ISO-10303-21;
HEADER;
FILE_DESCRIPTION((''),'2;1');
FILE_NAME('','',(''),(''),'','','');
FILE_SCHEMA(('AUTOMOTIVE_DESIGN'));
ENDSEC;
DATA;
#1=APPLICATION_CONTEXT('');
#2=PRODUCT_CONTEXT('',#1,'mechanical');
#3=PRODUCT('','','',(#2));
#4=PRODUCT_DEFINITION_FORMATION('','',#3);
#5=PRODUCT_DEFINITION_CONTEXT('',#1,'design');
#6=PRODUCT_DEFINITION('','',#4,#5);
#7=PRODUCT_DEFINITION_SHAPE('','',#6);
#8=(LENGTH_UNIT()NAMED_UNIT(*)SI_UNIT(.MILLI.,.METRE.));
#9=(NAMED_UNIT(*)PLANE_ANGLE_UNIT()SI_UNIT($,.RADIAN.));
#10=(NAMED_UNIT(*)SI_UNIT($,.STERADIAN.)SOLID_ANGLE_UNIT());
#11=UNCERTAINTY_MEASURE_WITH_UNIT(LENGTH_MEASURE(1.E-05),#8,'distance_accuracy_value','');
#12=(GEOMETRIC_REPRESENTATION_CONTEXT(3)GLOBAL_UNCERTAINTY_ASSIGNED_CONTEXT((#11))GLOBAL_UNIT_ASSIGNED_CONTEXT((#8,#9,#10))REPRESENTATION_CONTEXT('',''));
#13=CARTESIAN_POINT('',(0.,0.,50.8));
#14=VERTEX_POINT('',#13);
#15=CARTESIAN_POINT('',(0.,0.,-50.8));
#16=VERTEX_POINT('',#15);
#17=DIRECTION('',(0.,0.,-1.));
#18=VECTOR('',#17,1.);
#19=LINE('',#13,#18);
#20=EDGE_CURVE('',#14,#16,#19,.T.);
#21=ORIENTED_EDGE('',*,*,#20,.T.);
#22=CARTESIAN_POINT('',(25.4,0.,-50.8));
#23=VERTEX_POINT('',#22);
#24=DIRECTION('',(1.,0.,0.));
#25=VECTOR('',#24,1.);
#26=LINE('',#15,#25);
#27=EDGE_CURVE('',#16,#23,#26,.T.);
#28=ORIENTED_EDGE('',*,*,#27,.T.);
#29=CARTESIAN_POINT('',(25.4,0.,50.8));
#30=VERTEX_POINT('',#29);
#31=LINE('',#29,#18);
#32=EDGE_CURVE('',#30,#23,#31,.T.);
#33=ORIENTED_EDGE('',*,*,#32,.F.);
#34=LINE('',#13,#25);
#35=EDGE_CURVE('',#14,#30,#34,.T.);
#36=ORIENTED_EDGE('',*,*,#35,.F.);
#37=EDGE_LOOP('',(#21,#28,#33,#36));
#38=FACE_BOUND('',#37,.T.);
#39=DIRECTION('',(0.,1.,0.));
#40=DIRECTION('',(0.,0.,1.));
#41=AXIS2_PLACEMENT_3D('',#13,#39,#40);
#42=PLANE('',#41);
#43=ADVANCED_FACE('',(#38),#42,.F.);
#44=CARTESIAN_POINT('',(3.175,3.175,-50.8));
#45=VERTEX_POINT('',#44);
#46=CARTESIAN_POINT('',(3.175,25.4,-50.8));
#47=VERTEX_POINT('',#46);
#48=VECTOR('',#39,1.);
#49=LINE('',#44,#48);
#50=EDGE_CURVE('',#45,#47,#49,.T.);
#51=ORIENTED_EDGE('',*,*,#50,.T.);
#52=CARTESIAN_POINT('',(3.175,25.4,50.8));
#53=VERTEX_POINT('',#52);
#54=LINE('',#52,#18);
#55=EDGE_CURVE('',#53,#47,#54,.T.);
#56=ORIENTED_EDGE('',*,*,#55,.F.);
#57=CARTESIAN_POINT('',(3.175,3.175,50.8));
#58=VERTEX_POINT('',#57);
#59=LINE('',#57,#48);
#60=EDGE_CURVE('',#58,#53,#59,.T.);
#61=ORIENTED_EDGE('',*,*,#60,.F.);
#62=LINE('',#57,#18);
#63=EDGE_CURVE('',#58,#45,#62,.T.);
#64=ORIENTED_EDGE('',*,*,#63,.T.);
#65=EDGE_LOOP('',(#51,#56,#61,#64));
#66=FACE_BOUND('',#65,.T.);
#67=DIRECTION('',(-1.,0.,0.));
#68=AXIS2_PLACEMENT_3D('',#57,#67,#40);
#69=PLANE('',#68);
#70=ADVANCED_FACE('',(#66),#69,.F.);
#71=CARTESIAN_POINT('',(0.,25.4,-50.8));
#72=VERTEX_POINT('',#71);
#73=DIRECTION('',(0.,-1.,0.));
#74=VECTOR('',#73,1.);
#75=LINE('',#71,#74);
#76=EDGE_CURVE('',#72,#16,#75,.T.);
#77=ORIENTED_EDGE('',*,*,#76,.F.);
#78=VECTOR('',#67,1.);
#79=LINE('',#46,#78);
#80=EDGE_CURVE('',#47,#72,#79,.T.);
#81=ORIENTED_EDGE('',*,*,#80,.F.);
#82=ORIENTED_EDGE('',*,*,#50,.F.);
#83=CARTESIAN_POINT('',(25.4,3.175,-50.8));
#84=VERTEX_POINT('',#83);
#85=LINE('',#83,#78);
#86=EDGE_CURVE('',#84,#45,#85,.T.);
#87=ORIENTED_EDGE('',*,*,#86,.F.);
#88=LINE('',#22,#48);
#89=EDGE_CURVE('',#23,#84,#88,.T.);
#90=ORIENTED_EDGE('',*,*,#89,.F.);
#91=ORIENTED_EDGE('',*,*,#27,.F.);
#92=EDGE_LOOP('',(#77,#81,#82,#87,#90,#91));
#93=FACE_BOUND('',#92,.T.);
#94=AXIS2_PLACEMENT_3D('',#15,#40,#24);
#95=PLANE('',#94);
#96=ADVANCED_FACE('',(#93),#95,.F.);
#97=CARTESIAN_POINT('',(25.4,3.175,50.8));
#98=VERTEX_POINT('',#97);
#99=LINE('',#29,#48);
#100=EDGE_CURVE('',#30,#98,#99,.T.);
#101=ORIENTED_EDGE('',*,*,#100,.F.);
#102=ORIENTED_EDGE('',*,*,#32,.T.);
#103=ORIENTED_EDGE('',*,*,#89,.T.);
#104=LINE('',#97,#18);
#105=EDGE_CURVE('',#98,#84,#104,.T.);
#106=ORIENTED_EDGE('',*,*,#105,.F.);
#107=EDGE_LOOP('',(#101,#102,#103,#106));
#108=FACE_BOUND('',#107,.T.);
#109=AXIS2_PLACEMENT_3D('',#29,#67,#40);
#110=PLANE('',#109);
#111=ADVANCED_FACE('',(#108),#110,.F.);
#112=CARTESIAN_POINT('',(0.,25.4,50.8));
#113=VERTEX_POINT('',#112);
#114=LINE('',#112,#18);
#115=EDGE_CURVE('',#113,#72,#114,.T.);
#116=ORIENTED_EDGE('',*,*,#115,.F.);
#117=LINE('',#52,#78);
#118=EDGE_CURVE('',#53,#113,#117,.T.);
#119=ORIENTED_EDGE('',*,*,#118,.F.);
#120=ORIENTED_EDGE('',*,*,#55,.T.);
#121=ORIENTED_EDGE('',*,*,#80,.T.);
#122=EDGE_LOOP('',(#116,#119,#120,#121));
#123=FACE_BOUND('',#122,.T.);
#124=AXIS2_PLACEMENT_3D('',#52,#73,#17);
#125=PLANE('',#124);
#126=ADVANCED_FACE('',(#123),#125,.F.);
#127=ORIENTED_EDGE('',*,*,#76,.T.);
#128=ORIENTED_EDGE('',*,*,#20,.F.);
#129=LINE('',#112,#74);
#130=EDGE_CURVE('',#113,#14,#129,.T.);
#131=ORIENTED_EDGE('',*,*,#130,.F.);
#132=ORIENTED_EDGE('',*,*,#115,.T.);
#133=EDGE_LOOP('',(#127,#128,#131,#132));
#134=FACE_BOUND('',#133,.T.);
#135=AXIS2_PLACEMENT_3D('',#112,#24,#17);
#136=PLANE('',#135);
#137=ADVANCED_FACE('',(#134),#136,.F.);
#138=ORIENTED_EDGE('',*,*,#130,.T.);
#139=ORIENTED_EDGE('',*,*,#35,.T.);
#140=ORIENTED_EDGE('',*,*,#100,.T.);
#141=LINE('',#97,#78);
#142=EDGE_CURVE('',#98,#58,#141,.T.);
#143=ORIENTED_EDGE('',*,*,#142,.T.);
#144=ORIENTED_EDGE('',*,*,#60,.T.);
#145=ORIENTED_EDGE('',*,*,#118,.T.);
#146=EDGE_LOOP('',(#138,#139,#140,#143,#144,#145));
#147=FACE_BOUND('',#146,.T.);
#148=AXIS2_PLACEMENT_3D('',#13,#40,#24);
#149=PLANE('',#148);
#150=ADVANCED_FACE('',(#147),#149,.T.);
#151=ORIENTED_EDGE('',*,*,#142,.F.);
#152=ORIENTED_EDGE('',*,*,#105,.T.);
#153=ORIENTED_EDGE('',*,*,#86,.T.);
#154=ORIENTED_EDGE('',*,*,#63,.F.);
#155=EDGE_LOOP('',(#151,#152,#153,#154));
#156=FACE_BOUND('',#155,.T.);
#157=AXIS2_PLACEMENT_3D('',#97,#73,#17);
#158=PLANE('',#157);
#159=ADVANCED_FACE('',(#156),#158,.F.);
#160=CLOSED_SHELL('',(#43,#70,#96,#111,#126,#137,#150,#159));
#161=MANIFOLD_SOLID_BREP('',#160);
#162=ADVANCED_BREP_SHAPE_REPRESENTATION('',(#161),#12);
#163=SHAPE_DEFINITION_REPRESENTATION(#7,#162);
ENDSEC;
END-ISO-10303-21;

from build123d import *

# Parameters (mm, degrees)
BOSS_EXTRUDE1_DEPTH = 50.8


with BuildPart() as part:
    # Sketch1 → Boss-Extrude1 (new body, symmetric)
    with BuildSketch(Plane.XY):
        Polygon((0, 25.4), (0, 0), (25.4, 0), (25.4, 3.175), (3.175, 3.175), (3.175, 25.4), align=None)
    extrude(amount=BOSS_EXTRUDE1_DEPTH, both=True)


solid = part.part
